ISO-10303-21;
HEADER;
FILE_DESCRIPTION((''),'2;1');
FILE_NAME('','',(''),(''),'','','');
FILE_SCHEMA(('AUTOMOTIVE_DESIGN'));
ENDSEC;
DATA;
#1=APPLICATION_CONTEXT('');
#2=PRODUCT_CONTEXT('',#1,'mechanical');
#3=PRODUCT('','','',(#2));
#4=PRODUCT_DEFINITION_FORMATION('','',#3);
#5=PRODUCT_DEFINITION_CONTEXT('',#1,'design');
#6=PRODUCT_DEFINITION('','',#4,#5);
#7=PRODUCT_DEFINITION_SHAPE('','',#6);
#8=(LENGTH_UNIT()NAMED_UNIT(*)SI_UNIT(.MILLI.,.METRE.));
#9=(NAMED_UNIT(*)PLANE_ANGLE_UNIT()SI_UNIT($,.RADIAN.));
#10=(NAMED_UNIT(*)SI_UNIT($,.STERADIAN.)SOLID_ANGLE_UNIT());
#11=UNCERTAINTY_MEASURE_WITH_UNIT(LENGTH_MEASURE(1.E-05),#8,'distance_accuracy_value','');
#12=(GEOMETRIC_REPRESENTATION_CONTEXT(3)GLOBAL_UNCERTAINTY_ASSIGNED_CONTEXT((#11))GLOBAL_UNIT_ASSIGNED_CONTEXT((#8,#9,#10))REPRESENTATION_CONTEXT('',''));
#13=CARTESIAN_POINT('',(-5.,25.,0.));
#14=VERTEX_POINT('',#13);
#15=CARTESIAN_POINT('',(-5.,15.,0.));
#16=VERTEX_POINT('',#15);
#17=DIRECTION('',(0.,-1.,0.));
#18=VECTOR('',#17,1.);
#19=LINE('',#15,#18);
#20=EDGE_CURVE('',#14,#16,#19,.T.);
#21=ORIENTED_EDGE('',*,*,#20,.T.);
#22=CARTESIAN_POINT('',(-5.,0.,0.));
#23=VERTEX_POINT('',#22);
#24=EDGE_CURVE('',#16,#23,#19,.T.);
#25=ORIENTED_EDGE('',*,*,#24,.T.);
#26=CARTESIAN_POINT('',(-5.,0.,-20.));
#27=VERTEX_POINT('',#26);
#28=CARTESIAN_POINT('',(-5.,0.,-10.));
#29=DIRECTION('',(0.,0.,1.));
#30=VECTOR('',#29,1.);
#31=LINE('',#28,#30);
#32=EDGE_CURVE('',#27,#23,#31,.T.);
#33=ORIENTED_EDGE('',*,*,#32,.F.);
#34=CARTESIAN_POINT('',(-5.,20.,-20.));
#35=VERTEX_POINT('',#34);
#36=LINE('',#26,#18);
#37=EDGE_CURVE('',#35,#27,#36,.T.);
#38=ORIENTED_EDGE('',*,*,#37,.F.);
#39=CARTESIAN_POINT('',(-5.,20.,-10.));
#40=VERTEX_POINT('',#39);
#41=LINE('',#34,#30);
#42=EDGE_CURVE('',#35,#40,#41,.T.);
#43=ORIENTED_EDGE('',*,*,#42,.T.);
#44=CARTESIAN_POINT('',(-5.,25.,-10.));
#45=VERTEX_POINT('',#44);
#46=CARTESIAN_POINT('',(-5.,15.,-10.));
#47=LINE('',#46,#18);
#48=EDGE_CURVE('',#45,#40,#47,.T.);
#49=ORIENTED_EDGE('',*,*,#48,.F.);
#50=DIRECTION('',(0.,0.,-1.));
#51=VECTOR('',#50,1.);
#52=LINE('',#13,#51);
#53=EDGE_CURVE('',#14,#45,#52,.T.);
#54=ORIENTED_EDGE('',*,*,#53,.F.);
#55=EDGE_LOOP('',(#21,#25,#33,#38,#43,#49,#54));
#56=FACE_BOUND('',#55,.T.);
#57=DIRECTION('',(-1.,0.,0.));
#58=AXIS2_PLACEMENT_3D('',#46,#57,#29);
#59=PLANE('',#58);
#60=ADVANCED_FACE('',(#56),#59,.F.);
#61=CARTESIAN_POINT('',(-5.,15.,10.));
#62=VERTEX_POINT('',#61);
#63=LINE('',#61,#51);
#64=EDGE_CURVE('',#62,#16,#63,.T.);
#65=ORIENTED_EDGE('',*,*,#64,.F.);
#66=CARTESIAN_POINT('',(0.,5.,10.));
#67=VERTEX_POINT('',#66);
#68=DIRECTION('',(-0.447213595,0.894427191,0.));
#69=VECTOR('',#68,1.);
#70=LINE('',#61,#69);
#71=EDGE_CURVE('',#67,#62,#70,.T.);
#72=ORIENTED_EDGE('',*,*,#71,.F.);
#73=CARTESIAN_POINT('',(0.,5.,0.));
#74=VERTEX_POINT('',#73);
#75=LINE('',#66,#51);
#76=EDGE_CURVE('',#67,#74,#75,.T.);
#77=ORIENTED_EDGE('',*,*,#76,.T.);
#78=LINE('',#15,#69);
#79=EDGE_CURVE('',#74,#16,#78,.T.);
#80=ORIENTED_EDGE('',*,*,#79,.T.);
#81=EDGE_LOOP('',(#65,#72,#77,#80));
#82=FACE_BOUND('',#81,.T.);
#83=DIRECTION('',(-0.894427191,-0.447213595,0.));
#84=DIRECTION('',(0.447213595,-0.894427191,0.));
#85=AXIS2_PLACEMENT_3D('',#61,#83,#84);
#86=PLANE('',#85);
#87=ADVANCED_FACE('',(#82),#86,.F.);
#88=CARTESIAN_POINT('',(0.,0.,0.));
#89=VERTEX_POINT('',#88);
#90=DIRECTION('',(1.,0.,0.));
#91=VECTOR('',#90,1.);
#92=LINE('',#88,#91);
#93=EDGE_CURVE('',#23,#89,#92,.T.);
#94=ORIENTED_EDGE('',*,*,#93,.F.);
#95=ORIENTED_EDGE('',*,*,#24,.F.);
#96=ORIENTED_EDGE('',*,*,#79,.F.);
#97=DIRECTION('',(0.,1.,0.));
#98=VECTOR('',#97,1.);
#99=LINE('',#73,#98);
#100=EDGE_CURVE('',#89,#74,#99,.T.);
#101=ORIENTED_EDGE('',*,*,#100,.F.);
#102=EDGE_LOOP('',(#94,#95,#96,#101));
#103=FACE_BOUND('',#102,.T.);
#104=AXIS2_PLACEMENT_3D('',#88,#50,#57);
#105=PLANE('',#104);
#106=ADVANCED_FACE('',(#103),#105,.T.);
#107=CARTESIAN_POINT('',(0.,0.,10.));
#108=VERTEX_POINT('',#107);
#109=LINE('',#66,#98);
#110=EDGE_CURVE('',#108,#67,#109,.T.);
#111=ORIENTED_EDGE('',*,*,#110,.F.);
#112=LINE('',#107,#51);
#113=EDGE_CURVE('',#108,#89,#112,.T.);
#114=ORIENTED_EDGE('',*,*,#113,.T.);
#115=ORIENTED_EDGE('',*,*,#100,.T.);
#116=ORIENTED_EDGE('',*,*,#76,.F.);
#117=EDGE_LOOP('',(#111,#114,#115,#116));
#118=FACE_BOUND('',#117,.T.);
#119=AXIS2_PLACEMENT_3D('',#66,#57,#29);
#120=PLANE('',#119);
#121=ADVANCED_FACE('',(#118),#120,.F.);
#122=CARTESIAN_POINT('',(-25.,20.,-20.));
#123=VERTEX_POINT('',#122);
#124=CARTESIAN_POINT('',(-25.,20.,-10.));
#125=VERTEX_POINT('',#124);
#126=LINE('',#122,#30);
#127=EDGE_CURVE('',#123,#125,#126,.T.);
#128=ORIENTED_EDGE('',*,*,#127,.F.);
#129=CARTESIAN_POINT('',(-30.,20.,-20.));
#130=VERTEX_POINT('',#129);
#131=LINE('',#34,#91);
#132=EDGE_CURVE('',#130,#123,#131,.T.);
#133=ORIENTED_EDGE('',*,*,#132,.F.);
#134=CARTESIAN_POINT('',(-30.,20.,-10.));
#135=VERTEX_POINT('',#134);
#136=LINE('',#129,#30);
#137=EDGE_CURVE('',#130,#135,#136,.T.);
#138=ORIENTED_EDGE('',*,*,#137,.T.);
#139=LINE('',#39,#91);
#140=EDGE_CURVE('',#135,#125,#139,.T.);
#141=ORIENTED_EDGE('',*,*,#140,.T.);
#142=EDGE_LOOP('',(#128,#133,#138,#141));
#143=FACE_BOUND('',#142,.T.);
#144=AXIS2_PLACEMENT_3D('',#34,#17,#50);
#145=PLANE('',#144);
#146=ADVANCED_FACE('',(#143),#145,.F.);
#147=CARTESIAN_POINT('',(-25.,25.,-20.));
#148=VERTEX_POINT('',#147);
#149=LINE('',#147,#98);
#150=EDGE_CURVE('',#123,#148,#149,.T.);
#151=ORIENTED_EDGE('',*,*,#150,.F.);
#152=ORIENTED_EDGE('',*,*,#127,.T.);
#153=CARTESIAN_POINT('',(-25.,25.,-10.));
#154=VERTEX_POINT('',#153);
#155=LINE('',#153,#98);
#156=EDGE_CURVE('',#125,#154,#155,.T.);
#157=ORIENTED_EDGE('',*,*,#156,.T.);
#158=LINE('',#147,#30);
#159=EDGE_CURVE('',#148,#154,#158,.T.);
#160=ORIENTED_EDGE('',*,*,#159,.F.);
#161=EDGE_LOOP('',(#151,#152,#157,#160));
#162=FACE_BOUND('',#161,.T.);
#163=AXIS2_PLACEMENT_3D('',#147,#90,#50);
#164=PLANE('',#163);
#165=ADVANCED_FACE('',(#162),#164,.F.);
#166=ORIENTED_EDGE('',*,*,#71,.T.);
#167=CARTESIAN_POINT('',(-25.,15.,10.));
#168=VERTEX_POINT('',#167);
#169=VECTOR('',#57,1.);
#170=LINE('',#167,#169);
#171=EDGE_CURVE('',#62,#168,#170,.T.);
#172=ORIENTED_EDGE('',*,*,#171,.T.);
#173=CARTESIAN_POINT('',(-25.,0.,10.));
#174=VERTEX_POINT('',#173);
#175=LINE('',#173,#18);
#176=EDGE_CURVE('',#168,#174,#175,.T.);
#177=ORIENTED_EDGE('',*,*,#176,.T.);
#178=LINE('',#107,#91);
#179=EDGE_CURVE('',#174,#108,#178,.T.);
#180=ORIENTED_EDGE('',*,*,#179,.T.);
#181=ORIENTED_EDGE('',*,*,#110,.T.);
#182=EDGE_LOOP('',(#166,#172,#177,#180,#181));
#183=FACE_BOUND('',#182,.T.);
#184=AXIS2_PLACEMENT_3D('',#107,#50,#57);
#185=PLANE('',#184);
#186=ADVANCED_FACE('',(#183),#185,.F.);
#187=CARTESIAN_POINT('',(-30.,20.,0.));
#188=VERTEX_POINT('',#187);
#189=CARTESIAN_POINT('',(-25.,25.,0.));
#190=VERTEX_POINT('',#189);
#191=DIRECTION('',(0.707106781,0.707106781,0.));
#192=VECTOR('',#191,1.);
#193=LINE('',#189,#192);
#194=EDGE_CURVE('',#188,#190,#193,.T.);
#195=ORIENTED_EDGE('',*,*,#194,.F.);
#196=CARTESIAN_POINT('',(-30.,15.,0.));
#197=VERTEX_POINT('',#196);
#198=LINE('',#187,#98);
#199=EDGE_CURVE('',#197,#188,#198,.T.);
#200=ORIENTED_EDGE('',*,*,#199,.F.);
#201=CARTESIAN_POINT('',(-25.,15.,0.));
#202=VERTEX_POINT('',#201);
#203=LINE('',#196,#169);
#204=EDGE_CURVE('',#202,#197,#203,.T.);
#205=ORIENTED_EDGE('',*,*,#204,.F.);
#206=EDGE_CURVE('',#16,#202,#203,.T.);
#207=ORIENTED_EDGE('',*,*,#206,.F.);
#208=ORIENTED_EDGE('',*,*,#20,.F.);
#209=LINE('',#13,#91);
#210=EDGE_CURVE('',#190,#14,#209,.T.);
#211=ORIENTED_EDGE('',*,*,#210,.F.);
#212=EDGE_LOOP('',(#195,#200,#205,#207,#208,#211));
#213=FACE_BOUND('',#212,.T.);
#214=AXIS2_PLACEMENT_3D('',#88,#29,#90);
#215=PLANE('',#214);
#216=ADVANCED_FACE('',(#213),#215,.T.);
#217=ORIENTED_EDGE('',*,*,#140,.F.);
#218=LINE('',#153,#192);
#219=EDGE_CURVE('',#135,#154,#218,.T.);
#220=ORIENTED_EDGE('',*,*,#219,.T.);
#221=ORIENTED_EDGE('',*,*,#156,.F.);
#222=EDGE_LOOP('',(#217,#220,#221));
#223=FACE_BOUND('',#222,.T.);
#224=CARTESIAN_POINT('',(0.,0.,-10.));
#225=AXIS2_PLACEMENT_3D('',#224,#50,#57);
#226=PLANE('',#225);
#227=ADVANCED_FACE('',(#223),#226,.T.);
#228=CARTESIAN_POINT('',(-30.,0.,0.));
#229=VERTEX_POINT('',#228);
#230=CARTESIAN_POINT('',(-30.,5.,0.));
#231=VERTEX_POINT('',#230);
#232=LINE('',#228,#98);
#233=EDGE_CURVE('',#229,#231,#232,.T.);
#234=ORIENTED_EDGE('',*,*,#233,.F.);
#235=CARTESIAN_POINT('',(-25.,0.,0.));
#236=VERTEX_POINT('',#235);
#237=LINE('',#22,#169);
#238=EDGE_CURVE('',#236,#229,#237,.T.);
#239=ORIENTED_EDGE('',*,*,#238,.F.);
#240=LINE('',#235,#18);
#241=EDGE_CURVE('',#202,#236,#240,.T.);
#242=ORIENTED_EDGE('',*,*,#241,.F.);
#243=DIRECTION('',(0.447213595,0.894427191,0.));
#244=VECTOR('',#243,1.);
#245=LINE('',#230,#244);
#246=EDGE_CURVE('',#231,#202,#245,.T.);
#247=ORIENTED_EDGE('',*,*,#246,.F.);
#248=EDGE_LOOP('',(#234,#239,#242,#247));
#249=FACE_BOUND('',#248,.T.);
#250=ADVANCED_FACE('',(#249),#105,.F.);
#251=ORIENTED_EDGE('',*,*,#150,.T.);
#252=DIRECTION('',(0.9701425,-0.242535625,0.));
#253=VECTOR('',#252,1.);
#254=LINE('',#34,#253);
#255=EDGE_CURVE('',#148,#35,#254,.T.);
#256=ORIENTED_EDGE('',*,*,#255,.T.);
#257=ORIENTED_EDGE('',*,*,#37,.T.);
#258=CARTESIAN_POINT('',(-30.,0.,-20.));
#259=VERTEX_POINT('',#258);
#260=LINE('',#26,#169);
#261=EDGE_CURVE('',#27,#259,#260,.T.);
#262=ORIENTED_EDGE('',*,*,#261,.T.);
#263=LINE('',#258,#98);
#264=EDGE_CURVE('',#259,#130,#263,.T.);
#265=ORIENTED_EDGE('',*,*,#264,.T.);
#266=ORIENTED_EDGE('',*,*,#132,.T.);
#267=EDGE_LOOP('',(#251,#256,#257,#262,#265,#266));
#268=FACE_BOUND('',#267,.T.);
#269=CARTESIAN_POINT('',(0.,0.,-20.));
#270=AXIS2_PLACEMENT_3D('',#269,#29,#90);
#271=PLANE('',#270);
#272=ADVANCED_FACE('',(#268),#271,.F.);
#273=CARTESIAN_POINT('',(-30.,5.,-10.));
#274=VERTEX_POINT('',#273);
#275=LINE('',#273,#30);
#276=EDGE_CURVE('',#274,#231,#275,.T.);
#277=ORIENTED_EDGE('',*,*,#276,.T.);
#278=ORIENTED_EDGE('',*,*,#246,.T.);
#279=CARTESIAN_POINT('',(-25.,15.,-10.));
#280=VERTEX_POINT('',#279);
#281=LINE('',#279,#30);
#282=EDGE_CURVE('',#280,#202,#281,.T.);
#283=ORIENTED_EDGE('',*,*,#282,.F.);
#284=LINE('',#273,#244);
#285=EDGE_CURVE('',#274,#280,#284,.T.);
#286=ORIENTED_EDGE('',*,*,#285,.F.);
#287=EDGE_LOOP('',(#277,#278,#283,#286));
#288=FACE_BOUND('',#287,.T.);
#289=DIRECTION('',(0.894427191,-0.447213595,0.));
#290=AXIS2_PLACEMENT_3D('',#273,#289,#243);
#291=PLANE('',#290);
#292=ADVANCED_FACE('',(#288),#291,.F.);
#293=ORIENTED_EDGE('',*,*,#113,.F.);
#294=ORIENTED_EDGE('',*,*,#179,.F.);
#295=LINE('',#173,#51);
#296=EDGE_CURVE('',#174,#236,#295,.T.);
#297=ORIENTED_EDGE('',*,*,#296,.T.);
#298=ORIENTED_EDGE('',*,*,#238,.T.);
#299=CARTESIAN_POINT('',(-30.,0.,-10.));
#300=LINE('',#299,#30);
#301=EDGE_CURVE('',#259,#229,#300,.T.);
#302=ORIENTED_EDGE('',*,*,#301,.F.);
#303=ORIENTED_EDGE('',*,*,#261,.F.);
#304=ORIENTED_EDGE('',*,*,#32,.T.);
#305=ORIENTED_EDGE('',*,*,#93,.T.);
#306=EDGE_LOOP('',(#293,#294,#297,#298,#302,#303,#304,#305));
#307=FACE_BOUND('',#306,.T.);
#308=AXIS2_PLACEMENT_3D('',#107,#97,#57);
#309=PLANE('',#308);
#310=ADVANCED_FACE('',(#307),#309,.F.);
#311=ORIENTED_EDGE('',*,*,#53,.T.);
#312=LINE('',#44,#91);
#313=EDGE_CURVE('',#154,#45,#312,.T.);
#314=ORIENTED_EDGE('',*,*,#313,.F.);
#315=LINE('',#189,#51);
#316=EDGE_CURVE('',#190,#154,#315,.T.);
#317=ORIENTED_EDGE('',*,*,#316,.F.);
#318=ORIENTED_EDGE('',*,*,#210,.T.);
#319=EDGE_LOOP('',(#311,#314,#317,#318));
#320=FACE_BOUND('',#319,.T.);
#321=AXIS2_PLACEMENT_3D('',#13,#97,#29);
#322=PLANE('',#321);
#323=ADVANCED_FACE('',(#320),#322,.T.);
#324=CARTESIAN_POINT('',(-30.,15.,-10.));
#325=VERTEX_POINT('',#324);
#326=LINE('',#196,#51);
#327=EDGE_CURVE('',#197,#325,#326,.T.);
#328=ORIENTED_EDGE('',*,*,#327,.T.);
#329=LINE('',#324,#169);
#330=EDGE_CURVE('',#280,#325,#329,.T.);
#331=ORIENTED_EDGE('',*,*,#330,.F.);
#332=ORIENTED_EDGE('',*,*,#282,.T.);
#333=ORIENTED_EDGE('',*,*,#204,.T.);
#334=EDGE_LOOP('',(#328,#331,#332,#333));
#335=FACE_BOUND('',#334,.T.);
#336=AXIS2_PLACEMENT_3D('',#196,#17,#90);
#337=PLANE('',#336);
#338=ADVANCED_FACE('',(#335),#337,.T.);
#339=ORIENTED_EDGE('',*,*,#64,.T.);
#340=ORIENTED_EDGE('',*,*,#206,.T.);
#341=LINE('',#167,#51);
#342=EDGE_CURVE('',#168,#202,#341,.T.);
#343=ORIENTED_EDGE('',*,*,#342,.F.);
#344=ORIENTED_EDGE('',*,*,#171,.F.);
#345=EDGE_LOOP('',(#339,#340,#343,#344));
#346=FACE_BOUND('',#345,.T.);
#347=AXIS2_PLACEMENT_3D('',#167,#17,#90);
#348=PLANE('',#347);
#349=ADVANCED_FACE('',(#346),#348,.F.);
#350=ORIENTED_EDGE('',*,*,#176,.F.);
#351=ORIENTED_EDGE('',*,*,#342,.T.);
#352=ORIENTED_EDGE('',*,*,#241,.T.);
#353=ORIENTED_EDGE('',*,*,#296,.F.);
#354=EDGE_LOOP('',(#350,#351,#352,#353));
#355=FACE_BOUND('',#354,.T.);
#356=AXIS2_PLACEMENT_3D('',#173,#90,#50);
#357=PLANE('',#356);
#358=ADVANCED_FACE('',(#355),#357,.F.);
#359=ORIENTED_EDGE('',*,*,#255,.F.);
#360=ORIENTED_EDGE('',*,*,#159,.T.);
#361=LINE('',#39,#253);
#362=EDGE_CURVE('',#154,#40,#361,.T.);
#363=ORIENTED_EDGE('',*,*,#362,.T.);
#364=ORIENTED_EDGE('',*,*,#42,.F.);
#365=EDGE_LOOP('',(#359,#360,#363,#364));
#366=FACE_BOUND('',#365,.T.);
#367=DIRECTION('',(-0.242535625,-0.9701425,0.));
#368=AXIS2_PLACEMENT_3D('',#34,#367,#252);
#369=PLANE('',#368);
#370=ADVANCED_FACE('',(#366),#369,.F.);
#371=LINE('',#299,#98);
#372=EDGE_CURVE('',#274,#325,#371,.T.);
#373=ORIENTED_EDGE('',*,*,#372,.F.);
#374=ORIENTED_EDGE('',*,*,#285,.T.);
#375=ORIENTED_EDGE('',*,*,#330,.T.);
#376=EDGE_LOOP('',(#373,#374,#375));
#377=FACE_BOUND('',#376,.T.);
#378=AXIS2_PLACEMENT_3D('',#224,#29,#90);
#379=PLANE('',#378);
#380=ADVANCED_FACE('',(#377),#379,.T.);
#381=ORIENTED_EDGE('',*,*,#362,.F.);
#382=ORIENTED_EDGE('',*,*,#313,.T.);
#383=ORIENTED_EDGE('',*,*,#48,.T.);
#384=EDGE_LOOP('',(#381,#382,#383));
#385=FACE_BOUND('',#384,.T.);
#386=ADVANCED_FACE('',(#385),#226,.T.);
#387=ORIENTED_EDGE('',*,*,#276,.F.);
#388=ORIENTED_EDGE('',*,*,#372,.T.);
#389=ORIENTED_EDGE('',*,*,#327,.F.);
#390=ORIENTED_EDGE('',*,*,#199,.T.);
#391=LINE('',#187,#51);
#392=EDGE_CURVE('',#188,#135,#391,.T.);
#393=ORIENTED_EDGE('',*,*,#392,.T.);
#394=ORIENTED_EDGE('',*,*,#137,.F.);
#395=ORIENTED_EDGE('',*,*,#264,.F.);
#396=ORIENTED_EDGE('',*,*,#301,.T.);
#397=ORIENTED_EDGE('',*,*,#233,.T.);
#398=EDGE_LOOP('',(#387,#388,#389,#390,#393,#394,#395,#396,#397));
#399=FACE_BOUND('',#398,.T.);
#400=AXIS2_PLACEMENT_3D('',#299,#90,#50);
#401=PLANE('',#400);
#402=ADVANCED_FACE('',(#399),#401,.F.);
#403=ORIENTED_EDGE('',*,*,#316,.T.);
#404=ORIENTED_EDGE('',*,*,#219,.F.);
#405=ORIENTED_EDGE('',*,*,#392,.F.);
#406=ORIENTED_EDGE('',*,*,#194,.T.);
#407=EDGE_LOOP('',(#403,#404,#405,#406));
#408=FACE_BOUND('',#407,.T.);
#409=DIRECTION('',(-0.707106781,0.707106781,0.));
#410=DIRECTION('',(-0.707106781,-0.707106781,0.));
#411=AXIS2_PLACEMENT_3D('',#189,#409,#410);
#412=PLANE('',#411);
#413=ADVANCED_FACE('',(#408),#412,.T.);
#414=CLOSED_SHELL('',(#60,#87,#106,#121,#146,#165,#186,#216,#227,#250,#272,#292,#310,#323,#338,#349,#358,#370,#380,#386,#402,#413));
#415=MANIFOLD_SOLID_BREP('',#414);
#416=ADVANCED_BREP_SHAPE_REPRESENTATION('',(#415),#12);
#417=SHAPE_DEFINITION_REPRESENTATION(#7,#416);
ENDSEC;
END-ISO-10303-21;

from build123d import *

# Parameters (mm, degrees)
BOSS_EXTRUDE4_DEPTH  = 10
BOSS_EXTRUDE5_DEPTH  = 10
BOSS_EXTRUDE13_DEPTH = 10
SKETCH9_W            = 25
SKETCH9_H            = 20
BOSS_EXTRUDE14_DEPTH = 10
BOSS_EXTRUDE15_DEPTH = 10


with BuildPart() as part:
    # Sketch1 → Boss-Extrude4 (new body)
    with BuildSketch(Plane.XY):
        Polygon((-25, 0), (-25, 15), (-5, 15), (0, 5), (0, 0), align=None)
    extrude(amount=BOSS_EXTRUDE4_DEPTH)

    # Sketch3 → Boss-Extrude5 (add)
    with BuildSketch(Plane(origin=(0, 0, 0), x_dir=(-1, 0, 0), z_dir=(0, 0, -1))):
        Polygon((5, 15), (5, 0), (30, 0), (30, 5), (25, 15), align=None)
    extrude(amount=BOSS_EXTRUDE5_DEPTH)

    # Sketch4 → Boss-Extrude13 (add)
    with BuildSketch(Plane(origin=(0, 0, -10), x_dir=(-1, 0, 0), z_dir=(0, 0, -1))):
        Polygon((5, 15), (5, 25), (25, 25), (30, 20), (30, 15), align=None)
    extrude(amount=-BOSS_EXTRUDE13_DEPTH)

    # Sketch9 → Boss-Extrude14 (add)
    with BuildSketch(Plane(origin=(0, 0, -10), x_dir=(-1, 0, 0), z_dir=(0, 0, -1))):
        with Locations((17.5, 10)):
            Rectangle(SKETCH9_W, SKETCH9_H)
    extrude(amount=BOSS_EXTRUDE14_DEPTH)

    # Sketch10 → Boss-Extrude15 (add)
    with BuildSketch(Plane(origin=(0, 0, -10), x_dir=(-1, 0, 0), z_dir=(0, 0, -1))):
        Polygon((5, 20), (25, 25), (25, 20), align=None)
    extrude(amount=BOSS_EXTRUDE15_DEPTH)


solid = part.part
